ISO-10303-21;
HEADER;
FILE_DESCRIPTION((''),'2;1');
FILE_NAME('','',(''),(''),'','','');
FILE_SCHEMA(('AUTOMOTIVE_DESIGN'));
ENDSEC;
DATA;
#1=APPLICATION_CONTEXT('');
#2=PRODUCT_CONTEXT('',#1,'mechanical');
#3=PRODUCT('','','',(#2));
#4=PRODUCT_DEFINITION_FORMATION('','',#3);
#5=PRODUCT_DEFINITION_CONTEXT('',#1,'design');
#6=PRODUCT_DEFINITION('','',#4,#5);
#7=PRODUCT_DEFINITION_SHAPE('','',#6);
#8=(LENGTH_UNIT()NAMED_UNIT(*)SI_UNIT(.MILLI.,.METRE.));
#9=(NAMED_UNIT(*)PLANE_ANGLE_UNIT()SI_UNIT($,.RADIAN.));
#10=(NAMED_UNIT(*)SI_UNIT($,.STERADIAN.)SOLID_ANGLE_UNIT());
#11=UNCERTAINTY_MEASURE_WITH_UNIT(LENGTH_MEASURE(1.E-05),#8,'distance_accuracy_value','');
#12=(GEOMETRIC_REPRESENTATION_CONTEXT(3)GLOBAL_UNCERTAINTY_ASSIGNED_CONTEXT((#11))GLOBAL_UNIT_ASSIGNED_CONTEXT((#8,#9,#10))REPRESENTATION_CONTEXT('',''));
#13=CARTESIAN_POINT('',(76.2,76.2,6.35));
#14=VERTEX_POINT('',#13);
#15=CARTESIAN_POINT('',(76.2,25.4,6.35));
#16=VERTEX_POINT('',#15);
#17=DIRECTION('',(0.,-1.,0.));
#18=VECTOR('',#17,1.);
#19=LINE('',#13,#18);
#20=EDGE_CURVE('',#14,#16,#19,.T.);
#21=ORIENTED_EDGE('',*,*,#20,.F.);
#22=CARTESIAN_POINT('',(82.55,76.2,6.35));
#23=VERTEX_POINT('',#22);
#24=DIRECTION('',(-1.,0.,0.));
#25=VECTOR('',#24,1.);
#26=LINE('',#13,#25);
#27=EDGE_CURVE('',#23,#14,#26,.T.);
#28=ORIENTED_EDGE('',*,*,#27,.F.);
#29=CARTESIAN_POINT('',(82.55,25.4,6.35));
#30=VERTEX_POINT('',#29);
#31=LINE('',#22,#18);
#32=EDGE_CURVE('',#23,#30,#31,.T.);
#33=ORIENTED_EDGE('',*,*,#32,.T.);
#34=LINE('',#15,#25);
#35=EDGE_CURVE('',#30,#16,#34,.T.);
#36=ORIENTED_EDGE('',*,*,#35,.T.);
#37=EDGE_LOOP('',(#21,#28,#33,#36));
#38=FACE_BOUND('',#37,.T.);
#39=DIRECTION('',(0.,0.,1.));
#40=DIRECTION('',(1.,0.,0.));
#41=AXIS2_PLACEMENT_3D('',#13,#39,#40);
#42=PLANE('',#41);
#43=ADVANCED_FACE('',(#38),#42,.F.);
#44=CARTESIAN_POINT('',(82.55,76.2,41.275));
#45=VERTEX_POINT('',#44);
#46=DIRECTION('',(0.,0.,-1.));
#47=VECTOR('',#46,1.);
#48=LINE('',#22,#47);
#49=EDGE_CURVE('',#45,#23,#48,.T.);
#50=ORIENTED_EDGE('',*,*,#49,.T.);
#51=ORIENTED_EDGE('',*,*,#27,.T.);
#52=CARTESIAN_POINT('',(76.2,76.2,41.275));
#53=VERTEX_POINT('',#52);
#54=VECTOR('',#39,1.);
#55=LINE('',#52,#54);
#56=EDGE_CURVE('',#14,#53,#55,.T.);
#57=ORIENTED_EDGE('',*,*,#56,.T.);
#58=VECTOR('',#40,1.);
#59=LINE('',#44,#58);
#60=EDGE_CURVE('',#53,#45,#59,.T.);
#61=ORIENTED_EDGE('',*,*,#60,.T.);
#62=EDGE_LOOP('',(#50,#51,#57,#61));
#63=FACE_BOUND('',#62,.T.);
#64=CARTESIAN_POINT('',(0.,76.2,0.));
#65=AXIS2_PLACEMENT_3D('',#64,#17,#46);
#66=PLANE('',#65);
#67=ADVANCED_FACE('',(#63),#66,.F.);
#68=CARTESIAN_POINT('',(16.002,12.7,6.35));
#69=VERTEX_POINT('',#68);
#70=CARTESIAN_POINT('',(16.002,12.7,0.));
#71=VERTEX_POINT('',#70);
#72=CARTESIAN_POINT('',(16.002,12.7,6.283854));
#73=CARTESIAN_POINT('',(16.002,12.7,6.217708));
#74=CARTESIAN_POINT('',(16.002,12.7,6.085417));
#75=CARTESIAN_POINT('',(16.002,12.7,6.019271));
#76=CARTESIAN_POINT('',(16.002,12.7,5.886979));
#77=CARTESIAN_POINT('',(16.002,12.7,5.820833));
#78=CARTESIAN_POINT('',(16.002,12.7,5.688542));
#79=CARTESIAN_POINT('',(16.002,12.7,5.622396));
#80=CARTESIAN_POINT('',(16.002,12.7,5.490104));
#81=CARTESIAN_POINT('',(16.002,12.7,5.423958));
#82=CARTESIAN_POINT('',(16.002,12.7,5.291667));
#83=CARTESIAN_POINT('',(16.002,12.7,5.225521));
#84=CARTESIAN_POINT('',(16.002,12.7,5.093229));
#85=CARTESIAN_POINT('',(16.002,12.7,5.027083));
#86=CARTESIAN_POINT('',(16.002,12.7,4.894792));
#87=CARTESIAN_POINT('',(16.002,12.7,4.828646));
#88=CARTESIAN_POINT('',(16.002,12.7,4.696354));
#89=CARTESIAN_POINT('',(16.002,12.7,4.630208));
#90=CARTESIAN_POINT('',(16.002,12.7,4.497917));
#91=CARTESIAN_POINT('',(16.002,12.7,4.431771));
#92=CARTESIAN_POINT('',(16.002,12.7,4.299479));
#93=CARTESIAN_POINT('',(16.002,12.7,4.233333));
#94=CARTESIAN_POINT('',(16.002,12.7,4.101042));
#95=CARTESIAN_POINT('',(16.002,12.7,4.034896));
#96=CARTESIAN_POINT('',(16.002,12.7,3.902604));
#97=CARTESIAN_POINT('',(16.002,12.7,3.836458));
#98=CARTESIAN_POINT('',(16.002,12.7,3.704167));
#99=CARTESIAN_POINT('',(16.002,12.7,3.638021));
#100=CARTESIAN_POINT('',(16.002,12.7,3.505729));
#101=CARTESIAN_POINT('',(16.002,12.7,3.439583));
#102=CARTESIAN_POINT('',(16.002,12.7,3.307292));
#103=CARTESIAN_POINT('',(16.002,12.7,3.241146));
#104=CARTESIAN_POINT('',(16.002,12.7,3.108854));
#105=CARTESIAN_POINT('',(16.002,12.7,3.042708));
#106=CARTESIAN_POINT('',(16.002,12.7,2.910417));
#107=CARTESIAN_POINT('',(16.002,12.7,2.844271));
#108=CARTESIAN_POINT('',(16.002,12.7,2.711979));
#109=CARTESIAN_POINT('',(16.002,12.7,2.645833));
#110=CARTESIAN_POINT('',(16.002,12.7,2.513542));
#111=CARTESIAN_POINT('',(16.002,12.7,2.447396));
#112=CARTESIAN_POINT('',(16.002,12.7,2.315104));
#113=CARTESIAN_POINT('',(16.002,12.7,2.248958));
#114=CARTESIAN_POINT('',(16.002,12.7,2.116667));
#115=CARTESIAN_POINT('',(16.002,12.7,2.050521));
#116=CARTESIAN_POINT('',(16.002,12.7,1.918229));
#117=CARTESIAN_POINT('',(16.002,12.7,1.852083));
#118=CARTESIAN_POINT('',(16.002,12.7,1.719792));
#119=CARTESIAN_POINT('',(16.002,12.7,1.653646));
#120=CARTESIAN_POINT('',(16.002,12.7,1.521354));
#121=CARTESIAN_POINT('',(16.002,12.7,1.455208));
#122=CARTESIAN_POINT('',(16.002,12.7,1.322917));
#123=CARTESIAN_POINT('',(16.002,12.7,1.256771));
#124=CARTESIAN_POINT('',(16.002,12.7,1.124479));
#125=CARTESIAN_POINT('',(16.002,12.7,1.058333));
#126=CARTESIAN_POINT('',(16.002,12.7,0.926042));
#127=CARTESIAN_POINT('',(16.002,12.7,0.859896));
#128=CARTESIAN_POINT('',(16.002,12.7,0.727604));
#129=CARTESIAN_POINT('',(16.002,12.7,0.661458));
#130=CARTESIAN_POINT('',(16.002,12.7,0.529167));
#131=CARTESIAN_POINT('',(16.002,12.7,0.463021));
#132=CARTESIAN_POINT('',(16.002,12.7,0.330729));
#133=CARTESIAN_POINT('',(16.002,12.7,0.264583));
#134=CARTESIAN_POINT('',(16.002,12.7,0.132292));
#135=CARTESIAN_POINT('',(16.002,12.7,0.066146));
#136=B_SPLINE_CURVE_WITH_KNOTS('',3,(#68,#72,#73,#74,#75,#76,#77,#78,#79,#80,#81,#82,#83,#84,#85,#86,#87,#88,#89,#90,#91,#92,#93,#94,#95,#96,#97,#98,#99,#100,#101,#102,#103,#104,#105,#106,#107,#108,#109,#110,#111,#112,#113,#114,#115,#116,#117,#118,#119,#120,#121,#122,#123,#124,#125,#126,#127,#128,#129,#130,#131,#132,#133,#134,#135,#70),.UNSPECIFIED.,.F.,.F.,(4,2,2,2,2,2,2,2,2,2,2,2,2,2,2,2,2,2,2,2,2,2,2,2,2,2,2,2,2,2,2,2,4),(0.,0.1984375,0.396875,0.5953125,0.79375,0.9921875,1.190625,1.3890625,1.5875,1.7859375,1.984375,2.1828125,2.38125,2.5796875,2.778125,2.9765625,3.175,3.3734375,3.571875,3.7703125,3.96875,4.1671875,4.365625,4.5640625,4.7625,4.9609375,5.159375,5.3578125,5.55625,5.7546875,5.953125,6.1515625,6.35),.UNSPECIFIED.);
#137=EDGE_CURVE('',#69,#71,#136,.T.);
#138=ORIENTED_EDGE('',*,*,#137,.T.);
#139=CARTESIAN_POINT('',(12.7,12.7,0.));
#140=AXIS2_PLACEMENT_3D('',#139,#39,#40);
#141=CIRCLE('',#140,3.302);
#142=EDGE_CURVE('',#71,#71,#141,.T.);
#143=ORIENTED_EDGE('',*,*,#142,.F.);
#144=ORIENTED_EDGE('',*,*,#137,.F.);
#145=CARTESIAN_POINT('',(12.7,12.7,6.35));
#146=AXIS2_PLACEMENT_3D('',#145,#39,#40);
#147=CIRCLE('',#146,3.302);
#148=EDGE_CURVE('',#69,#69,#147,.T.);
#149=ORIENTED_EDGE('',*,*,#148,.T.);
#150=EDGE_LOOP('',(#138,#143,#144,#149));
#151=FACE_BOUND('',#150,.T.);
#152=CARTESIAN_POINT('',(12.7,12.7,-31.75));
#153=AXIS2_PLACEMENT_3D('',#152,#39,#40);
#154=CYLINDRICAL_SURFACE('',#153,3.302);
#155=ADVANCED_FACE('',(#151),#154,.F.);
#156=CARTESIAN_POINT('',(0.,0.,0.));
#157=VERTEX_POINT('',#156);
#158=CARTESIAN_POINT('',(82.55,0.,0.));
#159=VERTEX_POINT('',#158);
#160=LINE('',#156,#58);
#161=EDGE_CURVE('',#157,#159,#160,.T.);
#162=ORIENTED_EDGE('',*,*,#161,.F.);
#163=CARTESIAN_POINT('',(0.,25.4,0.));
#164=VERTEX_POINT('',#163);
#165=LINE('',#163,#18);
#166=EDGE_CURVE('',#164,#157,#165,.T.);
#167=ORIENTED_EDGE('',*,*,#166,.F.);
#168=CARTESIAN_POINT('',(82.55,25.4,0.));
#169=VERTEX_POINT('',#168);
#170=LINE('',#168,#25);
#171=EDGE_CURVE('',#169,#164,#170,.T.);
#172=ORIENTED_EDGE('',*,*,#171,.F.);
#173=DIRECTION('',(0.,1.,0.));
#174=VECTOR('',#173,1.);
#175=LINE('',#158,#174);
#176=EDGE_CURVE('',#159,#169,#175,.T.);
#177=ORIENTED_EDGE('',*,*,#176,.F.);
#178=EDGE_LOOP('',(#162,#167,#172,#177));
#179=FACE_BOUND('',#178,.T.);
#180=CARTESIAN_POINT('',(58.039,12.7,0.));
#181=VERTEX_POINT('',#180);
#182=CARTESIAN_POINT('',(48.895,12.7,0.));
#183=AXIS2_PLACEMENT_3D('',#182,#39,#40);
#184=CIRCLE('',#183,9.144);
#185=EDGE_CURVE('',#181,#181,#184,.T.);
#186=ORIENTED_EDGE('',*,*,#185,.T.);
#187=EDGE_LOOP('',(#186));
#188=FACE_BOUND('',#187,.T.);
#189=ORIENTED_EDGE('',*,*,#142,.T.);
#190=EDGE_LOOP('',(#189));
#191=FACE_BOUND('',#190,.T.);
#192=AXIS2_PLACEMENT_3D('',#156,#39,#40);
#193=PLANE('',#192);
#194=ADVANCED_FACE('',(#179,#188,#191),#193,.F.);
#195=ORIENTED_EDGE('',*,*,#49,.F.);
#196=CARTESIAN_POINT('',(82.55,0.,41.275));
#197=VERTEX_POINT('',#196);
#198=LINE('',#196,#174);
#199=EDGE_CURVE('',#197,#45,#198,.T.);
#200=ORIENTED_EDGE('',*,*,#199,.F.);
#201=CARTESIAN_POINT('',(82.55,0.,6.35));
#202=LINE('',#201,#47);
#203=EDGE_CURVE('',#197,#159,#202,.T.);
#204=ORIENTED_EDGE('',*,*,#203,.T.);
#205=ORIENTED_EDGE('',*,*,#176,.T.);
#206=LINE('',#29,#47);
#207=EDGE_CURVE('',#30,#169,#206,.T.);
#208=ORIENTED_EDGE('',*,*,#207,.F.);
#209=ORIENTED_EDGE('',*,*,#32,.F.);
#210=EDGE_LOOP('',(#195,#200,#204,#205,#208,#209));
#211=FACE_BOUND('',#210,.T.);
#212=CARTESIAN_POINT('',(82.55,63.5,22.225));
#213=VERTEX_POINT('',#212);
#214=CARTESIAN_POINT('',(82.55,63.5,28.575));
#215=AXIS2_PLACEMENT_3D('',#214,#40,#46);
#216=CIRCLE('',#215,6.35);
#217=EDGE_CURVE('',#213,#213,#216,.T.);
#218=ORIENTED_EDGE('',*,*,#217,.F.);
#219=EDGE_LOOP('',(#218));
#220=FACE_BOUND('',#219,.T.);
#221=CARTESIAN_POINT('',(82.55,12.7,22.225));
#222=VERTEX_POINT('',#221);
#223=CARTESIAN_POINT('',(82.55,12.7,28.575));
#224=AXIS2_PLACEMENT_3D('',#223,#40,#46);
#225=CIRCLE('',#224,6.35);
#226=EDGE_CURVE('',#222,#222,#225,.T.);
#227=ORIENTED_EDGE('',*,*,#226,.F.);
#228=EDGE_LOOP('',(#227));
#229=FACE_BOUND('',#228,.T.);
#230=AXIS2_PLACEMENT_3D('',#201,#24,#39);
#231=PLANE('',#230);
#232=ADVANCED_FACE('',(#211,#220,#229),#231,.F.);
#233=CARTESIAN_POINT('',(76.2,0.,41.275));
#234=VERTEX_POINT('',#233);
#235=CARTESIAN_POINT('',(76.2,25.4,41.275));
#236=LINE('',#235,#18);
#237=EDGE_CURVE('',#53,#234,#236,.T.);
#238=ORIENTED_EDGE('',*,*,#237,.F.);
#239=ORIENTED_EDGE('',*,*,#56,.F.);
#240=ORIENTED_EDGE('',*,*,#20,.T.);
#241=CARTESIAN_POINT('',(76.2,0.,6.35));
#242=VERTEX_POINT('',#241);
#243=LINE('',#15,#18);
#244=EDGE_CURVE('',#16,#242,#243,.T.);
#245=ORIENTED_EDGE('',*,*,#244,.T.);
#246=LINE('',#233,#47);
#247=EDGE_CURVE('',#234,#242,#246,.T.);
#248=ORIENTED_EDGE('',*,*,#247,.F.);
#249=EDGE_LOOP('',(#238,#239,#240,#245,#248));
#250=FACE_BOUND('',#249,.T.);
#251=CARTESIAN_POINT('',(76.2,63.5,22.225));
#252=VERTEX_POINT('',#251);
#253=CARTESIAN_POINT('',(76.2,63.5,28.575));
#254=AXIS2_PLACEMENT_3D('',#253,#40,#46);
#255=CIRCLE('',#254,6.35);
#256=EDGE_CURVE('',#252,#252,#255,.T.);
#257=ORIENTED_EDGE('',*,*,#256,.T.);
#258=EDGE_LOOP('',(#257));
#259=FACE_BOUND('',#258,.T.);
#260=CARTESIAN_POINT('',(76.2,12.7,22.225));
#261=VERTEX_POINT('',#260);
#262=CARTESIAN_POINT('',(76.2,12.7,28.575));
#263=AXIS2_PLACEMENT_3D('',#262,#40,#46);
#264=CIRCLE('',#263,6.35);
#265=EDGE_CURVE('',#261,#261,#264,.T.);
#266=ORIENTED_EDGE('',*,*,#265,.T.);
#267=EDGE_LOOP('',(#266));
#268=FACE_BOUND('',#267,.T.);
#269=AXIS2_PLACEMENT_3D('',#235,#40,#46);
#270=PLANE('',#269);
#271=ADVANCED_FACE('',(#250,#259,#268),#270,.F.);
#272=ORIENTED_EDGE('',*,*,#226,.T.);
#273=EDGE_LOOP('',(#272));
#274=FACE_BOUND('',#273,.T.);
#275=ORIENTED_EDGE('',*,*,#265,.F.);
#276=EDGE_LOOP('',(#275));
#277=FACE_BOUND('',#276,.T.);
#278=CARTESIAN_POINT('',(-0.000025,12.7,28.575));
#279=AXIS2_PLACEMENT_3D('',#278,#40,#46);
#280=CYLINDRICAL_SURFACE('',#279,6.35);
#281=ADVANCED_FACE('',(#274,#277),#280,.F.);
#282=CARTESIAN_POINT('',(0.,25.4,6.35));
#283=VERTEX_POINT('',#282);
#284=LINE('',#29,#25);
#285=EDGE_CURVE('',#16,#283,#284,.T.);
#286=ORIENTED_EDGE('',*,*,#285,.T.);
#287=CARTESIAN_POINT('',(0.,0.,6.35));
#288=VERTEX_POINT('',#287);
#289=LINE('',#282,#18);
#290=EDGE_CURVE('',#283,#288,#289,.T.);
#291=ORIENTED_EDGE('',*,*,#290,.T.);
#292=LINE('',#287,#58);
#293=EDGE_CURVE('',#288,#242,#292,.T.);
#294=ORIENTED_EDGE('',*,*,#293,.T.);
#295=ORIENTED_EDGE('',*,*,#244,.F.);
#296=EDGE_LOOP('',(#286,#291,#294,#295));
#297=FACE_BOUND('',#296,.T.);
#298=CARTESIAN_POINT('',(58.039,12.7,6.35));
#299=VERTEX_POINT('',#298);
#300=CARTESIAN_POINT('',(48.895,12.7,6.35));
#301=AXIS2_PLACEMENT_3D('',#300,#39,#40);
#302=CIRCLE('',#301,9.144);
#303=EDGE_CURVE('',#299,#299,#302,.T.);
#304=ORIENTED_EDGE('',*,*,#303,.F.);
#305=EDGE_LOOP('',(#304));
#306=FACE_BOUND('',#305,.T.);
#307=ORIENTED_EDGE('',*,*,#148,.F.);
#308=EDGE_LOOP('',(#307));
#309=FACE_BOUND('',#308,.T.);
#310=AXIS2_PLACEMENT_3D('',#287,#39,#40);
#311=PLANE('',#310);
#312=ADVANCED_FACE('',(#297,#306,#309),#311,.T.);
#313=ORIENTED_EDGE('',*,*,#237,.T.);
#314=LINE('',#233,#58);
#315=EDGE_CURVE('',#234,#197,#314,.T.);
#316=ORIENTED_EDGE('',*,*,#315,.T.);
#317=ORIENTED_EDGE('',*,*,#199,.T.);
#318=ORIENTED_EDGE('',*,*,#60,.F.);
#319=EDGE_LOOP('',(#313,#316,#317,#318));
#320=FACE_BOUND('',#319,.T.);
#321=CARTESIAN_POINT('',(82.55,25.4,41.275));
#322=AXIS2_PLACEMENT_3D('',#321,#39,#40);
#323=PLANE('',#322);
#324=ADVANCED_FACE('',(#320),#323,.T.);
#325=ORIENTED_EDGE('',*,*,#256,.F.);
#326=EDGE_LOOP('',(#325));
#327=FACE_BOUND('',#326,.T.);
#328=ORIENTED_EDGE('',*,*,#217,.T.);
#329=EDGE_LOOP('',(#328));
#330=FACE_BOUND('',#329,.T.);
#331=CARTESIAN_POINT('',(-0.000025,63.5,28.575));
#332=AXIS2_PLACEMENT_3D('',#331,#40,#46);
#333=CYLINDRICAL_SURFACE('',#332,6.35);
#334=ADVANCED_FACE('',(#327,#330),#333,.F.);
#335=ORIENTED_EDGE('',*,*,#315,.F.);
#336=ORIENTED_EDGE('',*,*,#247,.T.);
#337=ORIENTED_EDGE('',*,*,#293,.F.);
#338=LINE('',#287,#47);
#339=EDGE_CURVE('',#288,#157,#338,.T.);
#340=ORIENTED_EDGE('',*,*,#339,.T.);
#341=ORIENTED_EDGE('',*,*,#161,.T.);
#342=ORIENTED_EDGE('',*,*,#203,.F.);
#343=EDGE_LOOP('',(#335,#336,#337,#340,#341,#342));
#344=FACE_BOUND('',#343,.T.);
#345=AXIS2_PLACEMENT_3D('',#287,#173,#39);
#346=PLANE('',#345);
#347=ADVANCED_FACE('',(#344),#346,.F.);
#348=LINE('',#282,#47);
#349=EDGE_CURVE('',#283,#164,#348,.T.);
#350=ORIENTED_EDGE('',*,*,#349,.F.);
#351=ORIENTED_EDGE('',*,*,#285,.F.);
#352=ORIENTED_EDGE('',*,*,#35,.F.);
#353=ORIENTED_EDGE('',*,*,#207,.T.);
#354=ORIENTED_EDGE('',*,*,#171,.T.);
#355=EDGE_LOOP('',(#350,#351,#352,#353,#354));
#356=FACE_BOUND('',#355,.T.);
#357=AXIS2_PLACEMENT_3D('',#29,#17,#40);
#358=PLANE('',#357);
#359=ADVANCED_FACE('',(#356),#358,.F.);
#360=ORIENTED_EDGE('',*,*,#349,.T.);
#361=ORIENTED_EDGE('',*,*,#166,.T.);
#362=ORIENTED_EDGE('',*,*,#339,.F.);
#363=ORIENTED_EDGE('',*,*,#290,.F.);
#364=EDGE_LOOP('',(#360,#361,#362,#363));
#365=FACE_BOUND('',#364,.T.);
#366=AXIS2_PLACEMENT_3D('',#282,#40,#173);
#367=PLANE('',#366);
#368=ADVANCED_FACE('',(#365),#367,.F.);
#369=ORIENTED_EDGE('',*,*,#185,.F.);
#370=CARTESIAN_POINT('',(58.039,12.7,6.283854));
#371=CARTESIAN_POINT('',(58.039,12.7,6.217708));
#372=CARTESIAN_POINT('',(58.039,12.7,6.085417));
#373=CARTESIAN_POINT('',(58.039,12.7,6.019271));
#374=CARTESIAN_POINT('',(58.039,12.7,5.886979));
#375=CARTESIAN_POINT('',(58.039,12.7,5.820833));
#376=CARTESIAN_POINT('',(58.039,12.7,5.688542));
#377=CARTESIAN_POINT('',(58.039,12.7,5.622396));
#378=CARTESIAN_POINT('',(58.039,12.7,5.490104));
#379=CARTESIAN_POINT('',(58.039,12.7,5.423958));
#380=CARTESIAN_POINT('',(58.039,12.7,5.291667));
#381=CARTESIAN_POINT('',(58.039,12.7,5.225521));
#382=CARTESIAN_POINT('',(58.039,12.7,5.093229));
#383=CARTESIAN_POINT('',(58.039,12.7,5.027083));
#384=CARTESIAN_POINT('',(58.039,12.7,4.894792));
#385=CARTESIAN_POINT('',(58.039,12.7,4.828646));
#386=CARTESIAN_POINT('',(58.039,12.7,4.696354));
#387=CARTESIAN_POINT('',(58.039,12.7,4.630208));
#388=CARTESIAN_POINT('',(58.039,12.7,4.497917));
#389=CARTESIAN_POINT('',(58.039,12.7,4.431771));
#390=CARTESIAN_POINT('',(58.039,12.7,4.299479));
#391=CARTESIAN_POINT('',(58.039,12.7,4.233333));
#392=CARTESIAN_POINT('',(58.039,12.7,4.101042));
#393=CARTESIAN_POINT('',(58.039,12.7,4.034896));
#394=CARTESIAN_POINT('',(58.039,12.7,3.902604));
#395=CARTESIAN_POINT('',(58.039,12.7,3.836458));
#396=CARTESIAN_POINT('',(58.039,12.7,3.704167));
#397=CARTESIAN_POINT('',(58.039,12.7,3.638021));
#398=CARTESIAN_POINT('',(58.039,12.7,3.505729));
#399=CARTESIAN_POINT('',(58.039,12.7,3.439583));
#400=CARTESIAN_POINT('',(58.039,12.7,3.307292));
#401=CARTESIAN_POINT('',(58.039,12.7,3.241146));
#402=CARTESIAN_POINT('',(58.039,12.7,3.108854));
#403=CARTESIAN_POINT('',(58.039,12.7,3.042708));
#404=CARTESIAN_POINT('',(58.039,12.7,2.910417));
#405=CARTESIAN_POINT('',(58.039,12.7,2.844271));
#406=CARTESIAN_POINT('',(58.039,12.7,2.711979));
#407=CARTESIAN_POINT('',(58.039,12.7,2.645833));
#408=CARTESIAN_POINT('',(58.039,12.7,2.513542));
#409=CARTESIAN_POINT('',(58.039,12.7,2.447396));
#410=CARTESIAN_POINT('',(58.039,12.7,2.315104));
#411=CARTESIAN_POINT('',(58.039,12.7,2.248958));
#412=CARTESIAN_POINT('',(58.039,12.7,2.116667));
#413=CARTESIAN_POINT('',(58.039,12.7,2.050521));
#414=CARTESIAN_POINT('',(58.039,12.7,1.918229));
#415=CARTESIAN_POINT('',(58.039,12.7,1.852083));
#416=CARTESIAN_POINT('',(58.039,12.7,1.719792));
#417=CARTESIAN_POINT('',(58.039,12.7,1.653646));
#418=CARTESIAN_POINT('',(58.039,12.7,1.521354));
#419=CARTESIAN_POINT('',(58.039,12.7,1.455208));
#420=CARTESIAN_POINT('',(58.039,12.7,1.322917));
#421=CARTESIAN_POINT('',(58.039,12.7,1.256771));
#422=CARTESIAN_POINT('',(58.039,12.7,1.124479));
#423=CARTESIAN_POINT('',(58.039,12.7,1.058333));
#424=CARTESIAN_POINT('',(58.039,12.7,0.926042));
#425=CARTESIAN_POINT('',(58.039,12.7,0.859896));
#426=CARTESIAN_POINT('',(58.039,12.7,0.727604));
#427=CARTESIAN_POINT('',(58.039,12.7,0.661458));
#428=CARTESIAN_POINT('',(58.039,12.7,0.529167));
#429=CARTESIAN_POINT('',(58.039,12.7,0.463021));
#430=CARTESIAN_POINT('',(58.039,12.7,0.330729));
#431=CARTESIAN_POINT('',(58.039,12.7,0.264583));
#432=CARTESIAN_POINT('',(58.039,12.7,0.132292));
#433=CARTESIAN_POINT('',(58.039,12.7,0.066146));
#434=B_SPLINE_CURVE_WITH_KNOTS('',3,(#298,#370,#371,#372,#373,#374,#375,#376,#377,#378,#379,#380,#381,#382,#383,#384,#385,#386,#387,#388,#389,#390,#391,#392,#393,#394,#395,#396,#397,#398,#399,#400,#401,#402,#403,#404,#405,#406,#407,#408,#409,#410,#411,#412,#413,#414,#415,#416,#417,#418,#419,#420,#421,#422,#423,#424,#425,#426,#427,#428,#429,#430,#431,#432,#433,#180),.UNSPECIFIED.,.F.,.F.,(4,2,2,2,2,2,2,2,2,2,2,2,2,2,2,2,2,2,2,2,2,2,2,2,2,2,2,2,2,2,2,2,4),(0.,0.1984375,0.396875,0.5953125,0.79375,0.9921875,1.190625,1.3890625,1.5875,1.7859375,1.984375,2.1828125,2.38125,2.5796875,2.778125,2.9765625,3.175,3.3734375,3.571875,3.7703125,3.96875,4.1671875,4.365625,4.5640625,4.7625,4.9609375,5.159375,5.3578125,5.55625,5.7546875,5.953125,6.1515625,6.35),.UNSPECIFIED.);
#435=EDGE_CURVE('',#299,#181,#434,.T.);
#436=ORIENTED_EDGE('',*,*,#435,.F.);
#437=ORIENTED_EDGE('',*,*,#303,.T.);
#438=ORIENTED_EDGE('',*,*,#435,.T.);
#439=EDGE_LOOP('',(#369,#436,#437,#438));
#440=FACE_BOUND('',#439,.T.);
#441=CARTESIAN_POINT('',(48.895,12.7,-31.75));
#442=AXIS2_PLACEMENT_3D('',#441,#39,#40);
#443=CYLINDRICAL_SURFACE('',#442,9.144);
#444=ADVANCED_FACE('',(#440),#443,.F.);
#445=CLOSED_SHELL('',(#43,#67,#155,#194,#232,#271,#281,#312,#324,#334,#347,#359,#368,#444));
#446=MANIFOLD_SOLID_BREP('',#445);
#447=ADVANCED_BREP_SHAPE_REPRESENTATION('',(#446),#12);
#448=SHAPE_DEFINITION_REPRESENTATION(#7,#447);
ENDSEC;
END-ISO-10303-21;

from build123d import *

# Parameters (mm, degrees)
SKETCH1_W           = 82.55
SKETCH1_H           = 25.4
BOSS_EXTRUDE1_DEPTH = 6.35
SKETCH2_W           = 6.35
SKETCH2_H           = 25.4
BOSS_EXTRUDE2_DEPTH = 34.925
SKETCH4_R           = 6.35
CUT_EXTRUDE1_DEPTH  = 96.725065291
SKETCH5_R           = 3.302
SKETCH5_R_2         = 9.144
CUT_EXTRUDE2_DEPTH  = 38.1
SKETCH6_W           = 6.35
SKETCH6_H           = 34.925
BOSS_EXTRUDE3_DEPTH = 50.8
SKETCH7_R           = 6.35
CUT_EXTRUDE3_DEPTH  = 120.685287839


with BuildPart() as part:
    # Sketch1 → Boss-Extrude1 (new body)
    with BuildSketch(Plane.XY):
        with Locations((41.275, 12.7)):
            Rectangle(SKETCH1_W, SKETCH1_H)
    extrude(amount=BOSS_EXTRUDE1_DEPTH)

    # Sketch2 → Boss-Extrude2 (add)
    with BuildSketch(Plane.XY.offset(6.35)):
        with Locations((79.375, 12.7)):
            Rectangle(SKETCH2_W, SKETCH2_H)
    extrude(amount=BOSS_EXTRUDE2_DEPTH)

    # Sketch4 → Cut-Extrude1 (cut, through all)
    with BuildSketch(Plane(origin=(82.55, 0, 0), x_dir=(0, 0, -1), z_dir=(1, 0, 0))):
        with Locations((-28.575, 12.7)):
            Circle(SKETCH4_R)
    extrude(amount=-CUT_EXTRUDE1_DEPTH, mode=Mode.SUBTRACT)

    # Sketch5 → Cut-Extrude2 (cut)
    with BuildSketch(Plane.XY.offset(6.35)):
        with Locations((12.7, 12.7)):
            Circle(SKETCH5_R)
        with Locations((48.895, 12.7)):
            Circle(SKETCH5_R_2)
    extrude(amount=-CUT_EXTRUDE2_DEPTH, mode=Mode.SUBTRACT)

    # Sketch6 → Boss-Extrude3 (add)
    with BuildSketch(Plane(origin=(0, 25.4, 0), x_dir=(1, 0, 0), z_dir=(0, 1, 0))):
        with Locations((79.375, -23.8125)):
            Rectangle(SKETCH6_W, SKETCH6_H)
    extrude(amount=BOSS_EXTRUDE3_DEPTH)

    # Sketch7 → Cut-Extrude3 (cut, through all)
    with BuildSketch(Plane(origin=(82.55, 0, 0), x_dir=(0, 0, -1), z_dir=(1, 0, 0))):
        with Locations((-28.575, 63.5)):
            Circle(SKETCH7_R)
    extrude(amount=-CUT_EXTRUDE3_DEPTH, mode=Mode.SUBTRACT)


solid = part.part
